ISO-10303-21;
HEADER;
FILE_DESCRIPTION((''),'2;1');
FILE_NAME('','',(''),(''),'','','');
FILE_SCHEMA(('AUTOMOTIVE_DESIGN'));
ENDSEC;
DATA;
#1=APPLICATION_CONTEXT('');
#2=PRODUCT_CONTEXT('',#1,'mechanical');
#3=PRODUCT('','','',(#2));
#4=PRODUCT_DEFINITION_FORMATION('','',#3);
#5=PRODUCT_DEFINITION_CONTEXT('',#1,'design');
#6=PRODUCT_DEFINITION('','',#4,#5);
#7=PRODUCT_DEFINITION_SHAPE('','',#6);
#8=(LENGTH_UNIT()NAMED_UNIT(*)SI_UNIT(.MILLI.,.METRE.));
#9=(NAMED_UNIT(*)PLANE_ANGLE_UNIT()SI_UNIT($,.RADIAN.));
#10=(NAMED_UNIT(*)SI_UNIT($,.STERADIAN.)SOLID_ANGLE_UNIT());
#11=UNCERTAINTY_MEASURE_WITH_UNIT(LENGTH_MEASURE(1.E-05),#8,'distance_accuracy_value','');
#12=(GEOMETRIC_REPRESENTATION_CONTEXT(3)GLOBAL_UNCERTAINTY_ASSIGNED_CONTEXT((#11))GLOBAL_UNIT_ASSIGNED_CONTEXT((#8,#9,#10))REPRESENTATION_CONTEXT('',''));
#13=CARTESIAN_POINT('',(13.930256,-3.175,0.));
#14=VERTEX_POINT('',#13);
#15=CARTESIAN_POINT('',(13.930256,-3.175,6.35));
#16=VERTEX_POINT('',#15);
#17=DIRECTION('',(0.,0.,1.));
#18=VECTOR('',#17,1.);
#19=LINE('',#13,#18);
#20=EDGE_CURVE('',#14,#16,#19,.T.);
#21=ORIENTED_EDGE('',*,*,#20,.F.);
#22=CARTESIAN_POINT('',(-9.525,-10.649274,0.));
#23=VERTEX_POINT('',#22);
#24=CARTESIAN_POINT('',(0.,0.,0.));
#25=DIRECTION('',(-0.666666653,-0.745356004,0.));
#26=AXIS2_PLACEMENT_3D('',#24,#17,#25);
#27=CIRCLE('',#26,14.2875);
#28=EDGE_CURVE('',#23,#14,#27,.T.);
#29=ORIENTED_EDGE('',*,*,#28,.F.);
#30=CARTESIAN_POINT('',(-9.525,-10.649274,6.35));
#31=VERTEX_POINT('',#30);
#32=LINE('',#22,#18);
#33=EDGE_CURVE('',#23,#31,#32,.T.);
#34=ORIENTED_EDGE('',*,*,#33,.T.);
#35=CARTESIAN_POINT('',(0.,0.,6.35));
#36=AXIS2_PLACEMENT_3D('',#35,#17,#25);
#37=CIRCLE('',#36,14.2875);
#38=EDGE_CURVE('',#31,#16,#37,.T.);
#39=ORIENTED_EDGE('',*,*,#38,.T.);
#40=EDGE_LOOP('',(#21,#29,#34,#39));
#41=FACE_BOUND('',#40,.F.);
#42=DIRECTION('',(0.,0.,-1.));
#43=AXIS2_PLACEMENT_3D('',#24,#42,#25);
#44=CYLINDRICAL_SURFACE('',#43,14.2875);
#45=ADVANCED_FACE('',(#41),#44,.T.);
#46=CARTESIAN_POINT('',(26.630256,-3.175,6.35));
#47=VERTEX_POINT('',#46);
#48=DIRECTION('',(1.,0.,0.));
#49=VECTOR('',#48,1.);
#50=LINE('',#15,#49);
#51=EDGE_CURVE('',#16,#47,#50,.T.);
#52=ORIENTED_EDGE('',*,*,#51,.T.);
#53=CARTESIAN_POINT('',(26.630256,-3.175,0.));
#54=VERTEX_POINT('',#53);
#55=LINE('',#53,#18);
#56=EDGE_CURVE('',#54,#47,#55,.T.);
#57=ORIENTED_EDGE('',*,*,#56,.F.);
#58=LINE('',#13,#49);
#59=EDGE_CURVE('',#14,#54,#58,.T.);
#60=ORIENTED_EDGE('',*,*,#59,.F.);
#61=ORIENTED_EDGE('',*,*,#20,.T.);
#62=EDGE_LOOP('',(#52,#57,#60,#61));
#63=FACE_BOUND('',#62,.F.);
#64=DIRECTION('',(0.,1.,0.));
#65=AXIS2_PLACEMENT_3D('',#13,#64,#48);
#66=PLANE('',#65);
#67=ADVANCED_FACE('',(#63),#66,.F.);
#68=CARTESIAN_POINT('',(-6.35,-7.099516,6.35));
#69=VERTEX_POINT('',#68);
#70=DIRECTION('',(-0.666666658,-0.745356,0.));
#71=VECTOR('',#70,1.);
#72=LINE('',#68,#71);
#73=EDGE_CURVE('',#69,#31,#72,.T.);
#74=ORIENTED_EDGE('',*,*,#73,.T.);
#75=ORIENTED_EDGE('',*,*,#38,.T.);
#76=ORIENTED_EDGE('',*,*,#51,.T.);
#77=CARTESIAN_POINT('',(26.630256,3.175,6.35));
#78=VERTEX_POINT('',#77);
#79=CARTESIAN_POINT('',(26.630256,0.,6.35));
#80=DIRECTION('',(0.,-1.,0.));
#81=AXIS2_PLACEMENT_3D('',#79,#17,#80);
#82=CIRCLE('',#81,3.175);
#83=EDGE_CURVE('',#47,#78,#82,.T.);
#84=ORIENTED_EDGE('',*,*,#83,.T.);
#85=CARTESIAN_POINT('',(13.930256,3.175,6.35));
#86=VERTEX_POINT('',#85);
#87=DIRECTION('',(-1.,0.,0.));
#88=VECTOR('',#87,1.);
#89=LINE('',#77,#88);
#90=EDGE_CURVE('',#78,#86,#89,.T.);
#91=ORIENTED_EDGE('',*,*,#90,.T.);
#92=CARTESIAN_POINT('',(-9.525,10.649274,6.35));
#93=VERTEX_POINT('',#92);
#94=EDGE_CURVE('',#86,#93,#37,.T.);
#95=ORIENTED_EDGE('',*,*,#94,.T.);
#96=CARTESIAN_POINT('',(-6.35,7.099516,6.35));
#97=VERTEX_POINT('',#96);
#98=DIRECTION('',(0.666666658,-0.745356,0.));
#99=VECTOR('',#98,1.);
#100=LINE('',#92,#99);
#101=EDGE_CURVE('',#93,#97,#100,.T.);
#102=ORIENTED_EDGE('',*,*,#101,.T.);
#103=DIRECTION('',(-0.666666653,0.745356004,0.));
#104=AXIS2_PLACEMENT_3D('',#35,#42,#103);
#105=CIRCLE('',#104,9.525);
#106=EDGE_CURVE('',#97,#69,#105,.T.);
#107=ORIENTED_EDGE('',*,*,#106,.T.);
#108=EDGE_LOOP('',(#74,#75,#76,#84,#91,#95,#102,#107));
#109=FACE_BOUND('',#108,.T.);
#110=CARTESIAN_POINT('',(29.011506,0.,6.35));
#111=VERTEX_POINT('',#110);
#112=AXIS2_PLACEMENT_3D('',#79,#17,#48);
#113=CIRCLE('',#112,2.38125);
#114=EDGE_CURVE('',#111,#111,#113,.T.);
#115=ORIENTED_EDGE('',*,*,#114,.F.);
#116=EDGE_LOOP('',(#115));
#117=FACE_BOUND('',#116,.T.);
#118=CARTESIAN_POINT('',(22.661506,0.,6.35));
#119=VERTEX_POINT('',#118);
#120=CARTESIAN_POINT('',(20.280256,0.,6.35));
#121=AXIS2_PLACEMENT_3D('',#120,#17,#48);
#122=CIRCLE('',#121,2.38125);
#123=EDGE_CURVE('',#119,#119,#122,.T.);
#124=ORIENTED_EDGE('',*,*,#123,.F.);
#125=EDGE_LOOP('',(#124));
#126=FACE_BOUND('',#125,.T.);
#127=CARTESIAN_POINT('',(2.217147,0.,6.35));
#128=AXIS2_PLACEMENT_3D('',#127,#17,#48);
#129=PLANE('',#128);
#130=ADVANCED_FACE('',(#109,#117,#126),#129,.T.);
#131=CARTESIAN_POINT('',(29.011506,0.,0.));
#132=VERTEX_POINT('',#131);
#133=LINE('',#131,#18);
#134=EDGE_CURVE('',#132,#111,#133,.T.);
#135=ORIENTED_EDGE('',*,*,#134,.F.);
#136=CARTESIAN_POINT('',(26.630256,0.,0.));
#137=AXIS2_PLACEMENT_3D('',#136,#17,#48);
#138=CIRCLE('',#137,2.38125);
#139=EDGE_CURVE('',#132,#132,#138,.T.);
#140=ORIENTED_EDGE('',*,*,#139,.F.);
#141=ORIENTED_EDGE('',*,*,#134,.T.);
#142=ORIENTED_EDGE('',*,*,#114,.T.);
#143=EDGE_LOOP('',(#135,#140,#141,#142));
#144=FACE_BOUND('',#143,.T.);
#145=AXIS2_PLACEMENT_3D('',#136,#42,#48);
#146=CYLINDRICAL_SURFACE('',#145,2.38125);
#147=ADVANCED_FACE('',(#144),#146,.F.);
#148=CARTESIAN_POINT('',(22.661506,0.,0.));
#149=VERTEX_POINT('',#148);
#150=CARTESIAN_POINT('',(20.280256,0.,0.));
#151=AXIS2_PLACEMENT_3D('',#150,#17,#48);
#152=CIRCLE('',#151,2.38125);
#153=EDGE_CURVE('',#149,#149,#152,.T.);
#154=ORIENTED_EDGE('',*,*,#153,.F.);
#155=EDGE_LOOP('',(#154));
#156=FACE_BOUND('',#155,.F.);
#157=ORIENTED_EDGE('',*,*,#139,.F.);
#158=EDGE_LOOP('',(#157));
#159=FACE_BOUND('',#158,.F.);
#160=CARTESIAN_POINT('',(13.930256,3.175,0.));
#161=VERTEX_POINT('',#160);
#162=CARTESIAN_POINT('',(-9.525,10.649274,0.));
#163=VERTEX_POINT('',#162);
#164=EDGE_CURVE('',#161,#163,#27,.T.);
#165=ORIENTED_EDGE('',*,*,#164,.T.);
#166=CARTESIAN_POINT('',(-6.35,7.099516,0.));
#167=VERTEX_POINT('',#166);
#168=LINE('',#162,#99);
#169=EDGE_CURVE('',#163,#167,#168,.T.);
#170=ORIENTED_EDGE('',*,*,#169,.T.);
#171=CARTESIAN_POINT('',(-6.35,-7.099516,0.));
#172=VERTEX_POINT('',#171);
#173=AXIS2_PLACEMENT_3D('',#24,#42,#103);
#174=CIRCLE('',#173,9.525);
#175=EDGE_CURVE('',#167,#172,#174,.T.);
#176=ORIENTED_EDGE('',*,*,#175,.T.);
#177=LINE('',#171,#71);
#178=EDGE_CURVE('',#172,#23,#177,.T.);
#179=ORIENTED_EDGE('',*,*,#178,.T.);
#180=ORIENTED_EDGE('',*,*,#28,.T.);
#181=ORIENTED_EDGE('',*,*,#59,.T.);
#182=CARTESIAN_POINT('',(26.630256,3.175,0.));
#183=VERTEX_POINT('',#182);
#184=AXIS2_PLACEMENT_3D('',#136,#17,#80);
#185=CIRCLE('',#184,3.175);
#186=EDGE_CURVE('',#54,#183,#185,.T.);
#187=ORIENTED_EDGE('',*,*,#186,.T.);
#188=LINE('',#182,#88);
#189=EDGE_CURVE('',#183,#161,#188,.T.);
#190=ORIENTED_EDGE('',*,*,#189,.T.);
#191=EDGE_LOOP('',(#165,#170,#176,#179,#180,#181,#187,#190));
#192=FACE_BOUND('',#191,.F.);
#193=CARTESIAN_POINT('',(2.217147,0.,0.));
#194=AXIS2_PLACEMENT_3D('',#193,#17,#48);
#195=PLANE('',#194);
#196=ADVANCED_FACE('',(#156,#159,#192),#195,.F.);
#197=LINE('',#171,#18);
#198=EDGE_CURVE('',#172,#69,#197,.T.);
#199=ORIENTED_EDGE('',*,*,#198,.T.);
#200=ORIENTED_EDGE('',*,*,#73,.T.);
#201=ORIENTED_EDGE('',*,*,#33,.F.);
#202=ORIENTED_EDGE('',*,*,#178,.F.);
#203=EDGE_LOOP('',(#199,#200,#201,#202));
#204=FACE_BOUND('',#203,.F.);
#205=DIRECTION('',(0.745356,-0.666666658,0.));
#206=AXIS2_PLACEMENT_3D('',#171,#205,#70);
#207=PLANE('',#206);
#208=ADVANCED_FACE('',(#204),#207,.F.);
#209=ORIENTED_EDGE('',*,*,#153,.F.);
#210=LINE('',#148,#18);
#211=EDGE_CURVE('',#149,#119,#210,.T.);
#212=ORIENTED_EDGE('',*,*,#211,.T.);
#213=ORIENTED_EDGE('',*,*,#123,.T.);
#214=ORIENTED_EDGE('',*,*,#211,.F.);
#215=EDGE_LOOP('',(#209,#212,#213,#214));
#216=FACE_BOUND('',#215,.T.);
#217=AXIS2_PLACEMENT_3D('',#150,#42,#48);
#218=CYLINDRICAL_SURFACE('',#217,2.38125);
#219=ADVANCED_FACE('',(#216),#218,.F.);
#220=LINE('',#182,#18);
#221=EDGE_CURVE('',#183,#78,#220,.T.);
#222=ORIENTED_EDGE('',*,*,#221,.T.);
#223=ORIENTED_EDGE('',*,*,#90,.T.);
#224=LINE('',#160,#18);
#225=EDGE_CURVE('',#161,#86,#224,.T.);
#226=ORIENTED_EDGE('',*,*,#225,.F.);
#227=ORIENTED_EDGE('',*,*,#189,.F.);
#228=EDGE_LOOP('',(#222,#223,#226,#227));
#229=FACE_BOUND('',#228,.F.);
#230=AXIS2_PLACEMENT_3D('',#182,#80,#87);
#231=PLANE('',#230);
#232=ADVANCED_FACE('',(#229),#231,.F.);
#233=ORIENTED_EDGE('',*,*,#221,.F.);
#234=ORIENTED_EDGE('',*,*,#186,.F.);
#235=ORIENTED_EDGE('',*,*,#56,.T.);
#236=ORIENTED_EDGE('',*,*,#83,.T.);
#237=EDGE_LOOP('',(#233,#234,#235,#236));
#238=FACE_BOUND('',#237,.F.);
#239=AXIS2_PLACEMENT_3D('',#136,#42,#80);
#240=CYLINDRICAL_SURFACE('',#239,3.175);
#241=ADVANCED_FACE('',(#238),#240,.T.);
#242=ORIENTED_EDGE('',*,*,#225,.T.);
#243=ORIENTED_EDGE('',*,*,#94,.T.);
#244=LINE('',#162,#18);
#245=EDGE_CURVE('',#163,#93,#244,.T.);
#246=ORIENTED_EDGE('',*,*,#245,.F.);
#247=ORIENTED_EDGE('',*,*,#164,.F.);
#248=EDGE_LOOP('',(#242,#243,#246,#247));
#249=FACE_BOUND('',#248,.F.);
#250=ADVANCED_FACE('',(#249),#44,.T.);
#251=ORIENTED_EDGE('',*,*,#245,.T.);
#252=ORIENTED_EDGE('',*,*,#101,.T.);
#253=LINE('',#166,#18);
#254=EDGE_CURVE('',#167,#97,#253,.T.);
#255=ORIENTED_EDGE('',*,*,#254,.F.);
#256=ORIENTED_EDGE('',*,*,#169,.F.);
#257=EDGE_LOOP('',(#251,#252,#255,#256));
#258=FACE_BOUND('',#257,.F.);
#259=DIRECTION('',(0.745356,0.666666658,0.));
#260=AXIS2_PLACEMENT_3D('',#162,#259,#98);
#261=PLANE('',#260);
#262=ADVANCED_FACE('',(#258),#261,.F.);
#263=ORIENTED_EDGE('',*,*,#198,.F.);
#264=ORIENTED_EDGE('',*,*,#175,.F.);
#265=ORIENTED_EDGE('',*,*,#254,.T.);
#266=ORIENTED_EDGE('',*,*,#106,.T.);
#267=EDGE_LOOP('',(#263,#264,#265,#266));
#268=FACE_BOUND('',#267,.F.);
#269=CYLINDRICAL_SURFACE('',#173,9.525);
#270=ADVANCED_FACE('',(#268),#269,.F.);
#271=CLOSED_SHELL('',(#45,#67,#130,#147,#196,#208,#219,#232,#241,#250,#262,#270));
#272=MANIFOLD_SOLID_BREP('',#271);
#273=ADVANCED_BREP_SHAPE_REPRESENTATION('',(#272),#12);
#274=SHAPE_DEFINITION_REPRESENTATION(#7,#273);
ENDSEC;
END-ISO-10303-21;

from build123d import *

# Parameters (mm, degrees)
F1_DEPTH = 6.35
F2_R     = 2.38125
F3_DEPTH = 6.35


with BuildPart() as f1:
    # F0 (on Top) → F1 (new body)
    with BuildSketch(Plane.XY):
        with BuildLine():
            Line((-9.525, 10.649274), (-6.35, 7.099516))
            ThreePointArc((-6.35, 7.099516), (9.525, 0), (-6.35, -7.099516))
            Line((-6.35, -7.099516), (-9.525, -10.649274))
            ThreePointArc((-9.525, -10.649274), (14.2875, 0), (-9.525, 10.649274))
        make_face()
    extrude(amount=F1_DEPTH)

    # F2 (on Top) → F3 (join, through all)
    with BuildSketch(Plane.XY):
        with BuildLine():
            Line((26.630256, 3.175), (13.930256, 3.175))
            ThreePointArc((13.930256, 3.175), (14.2875, 0), (13.930256, -3.175))
            Line((13.930256, -3.175), (26.630256, -3.175))
            ThreePointArc((26.630256, -3.175), (29.805256, 0), (26.630256, 3.175))
        make_face()
        with Locations((20.280256, 0)):
            Circle(F2_R, mode=Mode.SUBTRACT)
        with Locations((26.630256, 0)):
            Circle(F2_R, mode=Mode.SUBTRACT)
    extrude(amount=F3_DEPTH)


solid = f1.part
